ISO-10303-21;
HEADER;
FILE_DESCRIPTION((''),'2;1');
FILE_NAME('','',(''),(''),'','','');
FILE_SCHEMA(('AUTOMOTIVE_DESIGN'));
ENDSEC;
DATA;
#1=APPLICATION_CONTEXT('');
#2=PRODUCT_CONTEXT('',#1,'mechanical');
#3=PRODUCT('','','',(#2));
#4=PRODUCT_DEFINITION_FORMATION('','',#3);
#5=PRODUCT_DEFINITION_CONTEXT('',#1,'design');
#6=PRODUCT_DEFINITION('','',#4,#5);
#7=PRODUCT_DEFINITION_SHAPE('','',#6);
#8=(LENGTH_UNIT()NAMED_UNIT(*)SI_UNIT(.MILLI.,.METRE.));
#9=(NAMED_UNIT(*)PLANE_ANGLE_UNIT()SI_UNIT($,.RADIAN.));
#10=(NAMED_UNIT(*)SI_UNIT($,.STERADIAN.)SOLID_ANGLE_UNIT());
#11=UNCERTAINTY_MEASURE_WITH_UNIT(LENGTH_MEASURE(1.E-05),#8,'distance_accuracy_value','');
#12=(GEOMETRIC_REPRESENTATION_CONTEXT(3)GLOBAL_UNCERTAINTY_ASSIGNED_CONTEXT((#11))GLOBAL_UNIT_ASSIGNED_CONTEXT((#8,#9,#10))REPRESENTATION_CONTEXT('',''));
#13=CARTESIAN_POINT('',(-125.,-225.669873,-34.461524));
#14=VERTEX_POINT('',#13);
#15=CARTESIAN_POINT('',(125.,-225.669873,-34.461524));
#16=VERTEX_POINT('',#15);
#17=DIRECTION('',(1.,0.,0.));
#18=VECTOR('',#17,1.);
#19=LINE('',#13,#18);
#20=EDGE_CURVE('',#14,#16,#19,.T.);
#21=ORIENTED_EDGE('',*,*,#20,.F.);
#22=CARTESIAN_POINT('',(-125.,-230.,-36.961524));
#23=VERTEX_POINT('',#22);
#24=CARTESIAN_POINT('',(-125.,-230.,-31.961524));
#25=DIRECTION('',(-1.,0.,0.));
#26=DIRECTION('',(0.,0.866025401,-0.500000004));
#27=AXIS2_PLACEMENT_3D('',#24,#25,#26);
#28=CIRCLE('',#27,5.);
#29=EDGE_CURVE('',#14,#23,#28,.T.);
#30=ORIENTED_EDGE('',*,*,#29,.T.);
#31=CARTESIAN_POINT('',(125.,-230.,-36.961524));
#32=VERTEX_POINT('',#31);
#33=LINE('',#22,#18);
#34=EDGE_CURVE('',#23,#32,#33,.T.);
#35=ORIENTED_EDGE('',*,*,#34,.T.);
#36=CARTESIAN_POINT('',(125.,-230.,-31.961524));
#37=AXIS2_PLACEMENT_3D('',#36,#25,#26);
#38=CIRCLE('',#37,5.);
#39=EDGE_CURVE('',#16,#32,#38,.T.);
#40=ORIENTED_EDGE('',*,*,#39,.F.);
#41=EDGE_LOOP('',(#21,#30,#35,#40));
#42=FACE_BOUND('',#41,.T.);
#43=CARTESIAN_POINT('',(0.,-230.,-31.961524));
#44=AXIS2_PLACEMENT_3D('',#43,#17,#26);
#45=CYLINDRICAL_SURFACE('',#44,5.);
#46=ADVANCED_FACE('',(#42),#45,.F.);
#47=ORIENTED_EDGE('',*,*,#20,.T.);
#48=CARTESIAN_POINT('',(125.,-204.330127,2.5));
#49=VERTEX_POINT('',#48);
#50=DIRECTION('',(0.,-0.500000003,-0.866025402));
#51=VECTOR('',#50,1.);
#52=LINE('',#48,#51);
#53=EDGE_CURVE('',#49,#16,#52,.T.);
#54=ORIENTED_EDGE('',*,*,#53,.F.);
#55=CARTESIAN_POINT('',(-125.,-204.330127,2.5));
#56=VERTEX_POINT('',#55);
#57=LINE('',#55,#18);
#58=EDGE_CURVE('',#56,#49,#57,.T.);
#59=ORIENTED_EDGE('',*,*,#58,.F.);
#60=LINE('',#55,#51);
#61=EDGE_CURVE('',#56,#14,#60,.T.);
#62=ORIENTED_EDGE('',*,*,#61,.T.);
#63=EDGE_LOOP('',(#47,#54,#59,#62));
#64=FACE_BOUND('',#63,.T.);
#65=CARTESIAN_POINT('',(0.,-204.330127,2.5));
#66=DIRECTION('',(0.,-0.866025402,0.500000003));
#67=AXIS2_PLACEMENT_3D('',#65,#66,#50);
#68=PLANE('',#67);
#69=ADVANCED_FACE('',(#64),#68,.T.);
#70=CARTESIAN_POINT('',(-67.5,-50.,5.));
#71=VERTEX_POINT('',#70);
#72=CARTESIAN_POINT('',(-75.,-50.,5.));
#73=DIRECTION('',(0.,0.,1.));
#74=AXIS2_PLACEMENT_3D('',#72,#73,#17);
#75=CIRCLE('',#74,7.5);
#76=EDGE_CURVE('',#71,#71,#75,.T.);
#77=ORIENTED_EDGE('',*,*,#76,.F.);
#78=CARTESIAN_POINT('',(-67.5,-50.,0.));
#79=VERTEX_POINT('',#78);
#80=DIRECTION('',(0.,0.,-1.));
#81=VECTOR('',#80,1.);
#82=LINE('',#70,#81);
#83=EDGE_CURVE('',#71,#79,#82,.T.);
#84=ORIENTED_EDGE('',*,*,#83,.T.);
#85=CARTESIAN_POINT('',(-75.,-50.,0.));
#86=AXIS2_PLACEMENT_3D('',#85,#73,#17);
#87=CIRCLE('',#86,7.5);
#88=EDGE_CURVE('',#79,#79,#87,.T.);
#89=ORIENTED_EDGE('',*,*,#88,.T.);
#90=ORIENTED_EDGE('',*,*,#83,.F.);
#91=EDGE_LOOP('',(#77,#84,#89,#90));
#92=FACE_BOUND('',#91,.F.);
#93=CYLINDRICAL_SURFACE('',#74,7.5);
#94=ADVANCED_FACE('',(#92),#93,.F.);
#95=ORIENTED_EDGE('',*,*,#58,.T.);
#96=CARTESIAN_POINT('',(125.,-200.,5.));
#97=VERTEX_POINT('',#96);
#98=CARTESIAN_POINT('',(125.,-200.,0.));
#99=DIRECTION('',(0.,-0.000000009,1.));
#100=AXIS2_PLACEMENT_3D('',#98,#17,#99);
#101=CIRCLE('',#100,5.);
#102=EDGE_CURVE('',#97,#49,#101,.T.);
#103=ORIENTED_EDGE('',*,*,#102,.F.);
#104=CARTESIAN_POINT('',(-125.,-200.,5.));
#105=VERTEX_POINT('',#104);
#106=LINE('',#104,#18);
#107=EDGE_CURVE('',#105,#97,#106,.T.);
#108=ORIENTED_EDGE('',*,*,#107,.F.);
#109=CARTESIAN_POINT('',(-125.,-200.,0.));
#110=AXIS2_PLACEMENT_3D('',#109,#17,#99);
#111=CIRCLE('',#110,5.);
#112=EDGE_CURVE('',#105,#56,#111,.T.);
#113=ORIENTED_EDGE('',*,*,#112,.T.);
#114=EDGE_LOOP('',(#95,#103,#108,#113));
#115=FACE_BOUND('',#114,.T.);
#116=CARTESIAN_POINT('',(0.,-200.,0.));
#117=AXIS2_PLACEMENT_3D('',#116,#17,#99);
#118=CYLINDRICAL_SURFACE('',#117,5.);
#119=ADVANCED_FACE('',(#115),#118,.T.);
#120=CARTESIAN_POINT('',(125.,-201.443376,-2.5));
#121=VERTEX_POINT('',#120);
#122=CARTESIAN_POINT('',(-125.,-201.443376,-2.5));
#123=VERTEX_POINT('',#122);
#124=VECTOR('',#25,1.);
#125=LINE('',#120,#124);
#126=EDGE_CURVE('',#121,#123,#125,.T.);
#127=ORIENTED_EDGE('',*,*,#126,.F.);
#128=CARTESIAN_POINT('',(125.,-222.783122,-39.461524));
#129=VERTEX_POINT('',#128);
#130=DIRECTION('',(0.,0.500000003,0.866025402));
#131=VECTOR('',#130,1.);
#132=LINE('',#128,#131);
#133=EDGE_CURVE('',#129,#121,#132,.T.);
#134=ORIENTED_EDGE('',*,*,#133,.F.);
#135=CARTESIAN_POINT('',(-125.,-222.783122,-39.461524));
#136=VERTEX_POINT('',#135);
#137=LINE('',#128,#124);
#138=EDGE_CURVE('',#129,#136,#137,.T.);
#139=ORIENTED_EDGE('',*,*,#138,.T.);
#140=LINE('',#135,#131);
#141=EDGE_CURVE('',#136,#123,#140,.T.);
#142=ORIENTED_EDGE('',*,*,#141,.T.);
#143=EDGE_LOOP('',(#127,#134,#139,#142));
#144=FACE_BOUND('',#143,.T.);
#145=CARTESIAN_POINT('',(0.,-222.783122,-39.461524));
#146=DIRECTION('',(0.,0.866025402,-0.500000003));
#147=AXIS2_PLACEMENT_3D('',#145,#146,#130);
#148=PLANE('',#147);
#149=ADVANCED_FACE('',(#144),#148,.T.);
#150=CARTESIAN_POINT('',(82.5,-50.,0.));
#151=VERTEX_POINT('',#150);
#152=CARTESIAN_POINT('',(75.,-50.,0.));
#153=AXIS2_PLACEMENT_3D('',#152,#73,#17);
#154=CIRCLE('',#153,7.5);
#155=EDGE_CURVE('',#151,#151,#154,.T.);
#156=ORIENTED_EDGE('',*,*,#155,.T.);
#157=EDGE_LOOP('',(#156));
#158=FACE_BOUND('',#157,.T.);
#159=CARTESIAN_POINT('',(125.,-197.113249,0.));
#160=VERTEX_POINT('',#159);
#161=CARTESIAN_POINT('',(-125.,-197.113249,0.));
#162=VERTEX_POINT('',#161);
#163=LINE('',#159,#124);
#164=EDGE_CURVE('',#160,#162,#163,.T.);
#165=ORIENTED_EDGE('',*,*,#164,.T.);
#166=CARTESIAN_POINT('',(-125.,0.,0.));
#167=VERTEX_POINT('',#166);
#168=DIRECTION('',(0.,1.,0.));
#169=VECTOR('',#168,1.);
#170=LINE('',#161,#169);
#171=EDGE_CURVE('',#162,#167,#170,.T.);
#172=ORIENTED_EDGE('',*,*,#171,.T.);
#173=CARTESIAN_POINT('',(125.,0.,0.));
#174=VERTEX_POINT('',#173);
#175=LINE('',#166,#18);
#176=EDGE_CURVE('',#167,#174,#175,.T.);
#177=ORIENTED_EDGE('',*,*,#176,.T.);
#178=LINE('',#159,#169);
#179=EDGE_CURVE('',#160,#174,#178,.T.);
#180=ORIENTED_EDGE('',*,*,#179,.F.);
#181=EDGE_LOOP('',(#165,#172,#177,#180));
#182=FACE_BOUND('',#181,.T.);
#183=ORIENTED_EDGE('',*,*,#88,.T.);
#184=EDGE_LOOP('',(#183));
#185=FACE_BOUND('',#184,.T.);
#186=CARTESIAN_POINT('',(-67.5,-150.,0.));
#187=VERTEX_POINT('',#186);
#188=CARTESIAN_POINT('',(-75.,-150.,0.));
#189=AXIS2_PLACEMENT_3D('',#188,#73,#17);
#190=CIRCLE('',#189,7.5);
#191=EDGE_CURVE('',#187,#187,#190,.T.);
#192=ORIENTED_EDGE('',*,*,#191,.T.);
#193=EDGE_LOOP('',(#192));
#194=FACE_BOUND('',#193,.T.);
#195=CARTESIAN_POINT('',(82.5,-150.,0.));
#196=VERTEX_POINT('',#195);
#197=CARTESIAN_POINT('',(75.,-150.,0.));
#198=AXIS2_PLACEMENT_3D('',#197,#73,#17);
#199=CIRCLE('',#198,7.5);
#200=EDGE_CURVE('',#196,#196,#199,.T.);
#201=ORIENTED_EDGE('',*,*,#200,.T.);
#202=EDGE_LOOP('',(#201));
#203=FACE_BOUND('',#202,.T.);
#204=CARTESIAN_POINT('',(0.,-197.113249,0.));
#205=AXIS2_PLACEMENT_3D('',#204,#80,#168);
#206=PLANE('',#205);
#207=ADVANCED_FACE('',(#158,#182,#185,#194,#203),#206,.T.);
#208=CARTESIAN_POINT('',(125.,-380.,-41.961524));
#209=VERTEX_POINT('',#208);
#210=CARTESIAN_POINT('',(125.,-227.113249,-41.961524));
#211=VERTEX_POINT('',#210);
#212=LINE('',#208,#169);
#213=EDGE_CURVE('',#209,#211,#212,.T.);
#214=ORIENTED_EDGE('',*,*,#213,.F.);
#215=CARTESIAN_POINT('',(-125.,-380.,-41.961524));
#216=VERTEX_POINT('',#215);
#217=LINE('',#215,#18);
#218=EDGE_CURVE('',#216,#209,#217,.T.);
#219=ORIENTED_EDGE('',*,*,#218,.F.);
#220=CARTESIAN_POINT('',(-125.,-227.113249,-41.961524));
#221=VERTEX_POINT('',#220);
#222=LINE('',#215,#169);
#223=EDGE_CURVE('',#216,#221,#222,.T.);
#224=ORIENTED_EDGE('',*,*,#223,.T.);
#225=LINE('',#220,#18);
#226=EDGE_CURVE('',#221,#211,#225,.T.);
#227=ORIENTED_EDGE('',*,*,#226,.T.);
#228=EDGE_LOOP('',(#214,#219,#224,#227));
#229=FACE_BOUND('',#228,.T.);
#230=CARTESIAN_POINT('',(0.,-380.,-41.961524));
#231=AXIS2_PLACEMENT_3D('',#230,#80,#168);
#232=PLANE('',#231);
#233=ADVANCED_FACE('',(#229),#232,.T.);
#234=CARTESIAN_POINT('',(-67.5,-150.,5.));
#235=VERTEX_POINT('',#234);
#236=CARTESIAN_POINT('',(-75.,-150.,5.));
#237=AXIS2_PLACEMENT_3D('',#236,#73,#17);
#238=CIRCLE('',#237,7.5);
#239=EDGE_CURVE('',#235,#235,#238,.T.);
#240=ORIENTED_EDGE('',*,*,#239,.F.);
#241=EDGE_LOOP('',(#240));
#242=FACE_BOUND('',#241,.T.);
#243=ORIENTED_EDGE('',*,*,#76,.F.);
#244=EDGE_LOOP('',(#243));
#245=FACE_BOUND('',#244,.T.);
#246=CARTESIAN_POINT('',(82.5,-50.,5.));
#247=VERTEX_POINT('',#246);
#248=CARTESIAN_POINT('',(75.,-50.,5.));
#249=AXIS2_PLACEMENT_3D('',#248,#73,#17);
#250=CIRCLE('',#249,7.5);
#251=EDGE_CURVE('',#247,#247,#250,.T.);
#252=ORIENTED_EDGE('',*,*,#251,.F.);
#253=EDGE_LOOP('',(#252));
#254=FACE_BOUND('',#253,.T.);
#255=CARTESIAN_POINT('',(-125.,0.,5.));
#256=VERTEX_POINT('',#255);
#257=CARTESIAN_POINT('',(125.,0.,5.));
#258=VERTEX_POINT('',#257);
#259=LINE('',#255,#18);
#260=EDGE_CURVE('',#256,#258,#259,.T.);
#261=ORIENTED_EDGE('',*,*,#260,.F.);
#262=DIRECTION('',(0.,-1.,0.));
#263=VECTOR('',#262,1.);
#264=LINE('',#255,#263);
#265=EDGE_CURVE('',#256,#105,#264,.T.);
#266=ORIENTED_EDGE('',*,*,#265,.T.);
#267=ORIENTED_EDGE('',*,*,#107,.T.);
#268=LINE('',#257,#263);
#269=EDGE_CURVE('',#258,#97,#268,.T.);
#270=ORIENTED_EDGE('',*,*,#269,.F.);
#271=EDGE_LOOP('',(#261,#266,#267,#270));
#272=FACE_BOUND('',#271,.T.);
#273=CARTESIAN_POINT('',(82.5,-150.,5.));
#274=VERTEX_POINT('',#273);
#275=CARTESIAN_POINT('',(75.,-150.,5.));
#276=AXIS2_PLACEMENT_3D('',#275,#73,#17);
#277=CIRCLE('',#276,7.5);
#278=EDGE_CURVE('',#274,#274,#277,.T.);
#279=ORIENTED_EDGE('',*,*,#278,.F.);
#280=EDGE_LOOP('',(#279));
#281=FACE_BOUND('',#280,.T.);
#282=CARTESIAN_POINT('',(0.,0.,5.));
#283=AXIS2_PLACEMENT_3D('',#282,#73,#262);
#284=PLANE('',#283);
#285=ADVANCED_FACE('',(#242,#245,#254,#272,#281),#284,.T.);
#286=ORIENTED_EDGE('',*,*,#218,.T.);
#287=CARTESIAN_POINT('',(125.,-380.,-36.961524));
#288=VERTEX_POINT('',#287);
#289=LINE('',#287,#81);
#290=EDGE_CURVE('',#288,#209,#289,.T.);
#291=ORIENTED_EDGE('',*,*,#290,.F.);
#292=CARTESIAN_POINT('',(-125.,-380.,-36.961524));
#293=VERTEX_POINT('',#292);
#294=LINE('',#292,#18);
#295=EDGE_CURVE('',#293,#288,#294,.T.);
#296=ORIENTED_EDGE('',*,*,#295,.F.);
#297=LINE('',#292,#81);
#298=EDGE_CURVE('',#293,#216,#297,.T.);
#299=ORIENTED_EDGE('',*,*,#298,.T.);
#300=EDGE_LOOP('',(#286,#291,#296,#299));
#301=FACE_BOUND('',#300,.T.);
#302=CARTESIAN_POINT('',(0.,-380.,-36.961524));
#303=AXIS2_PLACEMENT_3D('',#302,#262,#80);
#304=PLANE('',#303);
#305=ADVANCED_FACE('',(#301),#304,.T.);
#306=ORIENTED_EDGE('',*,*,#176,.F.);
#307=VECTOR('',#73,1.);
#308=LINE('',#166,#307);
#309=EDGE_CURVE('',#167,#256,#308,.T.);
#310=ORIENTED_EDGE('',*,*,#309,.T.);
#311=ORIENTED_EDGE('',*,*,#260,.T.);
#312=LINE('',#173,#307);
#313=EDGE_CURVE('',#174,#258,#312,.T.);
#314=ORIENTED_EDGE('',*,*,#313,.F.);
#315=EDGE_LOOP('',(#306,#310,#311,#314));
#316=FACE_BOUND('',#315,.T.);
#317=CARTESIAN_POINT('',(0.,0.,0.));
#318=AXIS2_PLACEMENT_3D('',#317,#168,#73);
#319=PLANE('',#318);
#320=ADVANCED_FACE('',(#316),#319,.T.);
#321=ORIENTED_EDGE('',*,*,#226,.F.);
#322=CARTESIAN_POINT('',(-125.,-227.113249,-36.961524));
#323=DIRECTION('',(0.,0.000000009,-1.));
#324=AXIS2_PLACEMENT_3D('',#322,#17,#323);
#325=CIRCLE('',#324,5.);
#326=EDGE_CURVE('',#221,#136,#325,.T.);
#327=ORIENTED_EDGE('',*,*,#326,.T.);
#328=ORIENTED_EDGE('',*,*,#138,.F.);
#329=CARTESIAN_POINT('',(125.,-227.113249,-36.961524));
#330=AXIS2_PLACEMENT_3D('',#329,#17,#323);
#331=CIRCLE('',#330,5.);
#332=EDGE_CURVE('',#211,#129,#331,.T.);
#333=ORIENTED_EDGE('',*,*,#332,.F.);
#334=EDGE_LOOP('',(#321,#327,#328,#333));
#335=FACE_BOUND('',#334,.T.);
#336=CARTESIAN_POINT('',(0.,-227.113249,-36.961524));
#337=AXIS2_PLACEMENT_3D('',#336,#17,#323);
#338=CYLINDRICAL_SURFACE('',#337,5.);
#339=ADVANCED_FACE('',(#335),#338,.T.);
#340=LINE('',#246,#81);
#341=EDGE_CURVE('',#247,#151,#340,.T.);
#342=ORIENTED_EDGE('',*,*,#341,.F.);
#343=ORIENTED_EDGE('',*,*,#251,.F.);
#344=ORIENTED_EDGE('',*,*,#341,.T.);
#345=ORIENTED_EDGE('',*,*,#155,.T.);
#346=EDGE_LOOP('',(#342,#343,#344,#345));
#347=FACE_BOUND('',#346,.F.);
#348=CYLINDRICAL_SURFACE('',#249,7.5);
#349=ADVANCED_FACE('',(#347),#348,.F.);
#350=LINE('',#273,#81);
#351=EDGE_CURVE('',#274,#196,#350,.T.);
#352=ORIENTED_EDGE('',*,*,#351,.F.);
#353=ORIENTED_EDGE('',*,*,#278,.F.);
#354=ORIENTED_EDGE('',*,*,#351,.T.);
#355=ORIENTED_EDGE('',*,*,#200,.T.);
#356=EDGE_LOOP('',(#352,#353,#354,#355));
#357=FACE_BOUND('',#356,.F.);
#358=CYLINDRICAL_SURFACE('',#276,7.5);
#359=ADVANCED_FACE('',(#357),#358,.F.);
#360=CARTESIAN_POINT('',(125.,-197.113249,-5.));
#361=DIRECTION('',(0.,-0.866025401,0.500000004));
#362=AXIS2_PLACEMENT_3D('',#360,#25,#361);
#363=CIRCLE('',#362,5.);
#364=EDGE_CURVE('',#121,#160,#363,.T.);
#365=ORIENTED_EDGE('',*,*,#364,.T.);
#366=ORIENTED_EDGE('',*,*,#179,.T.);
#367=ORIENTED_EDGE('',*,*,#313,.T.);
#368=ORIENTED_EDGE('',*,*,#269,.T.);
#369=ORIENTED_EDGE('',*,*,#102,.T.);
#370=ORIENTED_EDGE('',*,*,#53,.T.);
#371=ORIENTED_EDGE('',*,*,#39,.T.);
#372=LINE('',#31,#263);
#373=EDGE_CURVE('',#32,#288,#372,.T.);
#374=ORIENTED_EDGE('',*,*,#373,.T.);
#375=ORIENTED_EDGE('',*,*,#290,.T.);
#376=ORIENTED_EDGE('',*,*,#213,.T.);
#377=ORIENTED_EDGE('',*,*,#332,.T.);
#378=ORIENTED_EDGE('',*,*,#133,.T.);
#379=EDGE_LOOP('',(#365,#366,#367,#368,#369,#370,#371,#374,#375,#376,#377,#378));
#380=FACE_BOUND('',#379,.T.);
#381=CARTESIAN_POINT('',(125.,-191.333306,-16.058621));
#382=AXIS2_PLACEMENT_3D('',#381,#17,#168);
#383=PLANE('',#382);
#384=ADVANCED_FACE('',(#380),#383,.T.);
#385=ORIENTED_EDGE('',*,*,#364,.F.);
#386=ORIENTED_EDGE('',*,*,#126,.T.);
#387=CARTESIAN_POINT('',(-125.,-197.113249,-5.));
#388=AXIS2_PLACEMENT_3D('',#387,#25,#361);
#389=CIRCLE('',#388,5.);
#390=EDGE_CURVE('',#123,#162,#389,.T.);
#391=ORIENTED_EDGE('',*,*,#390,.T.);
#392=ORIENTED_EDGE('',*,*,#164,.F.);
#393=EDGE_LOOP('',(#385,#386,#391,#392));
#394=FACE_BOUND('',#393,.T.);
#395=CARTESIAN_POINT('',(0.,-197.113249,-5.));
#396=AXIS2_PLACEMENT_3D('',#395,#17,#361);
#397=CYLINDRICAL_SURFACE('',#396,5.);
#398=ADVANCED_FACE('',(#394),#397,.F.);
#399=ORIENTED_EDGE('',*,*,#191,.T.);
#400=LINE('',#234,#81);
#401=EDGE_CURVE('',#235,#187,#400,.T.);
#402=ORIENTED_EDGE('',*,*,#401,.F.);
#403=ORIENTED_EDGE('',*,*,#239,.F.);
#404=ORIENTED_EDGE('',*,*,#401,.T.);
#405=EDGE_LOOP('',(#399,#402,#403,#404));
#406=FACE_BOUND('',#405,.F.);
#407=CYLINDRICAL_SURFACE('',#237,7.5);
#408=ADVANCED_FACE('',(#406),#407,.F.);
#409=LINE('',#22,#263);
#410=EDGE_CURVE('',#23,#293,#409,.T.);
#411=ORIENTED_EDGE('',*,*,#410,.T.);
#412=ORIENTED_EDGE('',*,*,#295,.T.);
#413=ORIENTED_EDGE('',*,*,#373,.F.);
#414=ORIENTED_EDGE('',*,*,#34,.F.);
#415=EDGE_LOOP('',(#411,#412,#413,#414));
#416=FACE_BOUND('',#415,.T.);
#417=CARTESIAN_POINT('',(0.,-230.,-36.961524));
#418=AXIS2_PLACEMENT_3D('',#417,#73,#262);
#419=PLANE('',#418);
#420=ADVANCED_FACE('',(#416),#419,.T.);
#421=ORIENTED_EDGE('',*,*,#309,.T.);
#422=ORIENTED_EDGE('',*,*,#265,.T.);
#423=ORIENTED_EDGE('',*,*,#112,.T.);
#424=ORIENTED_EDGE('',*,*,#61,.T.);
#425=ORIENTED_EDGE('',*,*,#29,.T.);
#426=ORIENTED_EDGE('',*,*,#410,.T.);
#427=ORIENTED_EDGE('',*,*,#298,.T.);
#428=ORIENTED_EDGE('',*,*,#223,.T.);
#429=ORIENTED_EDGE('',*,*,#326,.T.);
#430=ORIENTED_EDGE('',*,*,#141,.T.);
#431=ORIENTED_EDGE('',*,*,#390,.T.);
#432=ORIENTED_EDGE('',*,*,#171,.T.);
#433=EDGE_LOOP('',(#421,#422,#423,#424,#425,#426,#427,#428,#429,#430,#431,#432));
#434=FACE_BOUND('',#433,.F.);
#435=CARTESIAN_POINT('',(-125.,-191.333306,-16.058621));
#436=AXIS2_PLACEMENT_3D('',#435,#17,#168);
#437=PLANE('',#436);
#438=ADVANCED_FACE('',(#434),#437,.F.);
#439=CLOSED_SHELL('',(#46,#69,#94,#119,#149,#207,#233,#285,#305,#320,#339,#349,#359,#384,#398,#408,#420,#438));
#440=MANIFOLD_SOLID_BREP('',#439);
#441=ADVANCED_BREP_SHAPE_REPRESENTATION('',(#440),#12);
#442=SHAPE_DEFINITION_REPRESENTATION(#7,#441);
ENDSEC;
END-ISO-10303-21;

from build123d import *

# Parameters (mm, degrees)
F1_DEPTH = 125
F2_R     = 7.5
F3_DEPTH = 46.962524


with BuildPart() as f1:
    # F0 (on Right) → F1 (new body, symmetric)
    with BuildSketch(Plane.YZ):
        with BuildLine():
            Line((-197.113249, 0), (0, 0))
            Line((0, 0), (0, 5))
            Line((0, 5), (-200, 5))
            ThreePointArc((-200, 5), (-202.5, 4.330127), (-204.330127, 2.5))
            Line((-204.330127, 2.5), (-225.669873, -34.461524))
            ThreePointArc((-225.669873, -34.461524), (-227.5, -36.291651), (-230, -36.961524))
            Line((-230, -36.961524), (-380, -36.961524))
            Line((-380, -36.961524), (-380, -41.961524))
            Line((-380, -41.961524), (-227.113249, -41.961524))
            ThreePointArc((-227.113249, -41.961524), (-224.613249, -41.291651), (-222.783122, -39.461524))
            Line((-222.783122, -39.461524), (-201.443376, -2.5))
            ThreePointArc((-201.443376, -2.5), (-199.613249, -0.669873), (-197.113249, 0))
        make_face()
    extrude(amount=F1_DEPTH, both=True)

    # F2 (on face) → F3 (cut, through all)
    with BuildSketch(Plane.XY.offset(5)):
        with Locations((-75, -150)):
            Circle(F2_R)
        with Locations((75, -150)):
            Circle(F2_R)
        with Locations((75, -50)):
            Circle(F2_R)
        with Locations((-75, -50)):
            Circle(F2_R)
    extrude(amount=-F3_DEPTH, mode=Mode.SUBTRACT)


solid = f1.part
